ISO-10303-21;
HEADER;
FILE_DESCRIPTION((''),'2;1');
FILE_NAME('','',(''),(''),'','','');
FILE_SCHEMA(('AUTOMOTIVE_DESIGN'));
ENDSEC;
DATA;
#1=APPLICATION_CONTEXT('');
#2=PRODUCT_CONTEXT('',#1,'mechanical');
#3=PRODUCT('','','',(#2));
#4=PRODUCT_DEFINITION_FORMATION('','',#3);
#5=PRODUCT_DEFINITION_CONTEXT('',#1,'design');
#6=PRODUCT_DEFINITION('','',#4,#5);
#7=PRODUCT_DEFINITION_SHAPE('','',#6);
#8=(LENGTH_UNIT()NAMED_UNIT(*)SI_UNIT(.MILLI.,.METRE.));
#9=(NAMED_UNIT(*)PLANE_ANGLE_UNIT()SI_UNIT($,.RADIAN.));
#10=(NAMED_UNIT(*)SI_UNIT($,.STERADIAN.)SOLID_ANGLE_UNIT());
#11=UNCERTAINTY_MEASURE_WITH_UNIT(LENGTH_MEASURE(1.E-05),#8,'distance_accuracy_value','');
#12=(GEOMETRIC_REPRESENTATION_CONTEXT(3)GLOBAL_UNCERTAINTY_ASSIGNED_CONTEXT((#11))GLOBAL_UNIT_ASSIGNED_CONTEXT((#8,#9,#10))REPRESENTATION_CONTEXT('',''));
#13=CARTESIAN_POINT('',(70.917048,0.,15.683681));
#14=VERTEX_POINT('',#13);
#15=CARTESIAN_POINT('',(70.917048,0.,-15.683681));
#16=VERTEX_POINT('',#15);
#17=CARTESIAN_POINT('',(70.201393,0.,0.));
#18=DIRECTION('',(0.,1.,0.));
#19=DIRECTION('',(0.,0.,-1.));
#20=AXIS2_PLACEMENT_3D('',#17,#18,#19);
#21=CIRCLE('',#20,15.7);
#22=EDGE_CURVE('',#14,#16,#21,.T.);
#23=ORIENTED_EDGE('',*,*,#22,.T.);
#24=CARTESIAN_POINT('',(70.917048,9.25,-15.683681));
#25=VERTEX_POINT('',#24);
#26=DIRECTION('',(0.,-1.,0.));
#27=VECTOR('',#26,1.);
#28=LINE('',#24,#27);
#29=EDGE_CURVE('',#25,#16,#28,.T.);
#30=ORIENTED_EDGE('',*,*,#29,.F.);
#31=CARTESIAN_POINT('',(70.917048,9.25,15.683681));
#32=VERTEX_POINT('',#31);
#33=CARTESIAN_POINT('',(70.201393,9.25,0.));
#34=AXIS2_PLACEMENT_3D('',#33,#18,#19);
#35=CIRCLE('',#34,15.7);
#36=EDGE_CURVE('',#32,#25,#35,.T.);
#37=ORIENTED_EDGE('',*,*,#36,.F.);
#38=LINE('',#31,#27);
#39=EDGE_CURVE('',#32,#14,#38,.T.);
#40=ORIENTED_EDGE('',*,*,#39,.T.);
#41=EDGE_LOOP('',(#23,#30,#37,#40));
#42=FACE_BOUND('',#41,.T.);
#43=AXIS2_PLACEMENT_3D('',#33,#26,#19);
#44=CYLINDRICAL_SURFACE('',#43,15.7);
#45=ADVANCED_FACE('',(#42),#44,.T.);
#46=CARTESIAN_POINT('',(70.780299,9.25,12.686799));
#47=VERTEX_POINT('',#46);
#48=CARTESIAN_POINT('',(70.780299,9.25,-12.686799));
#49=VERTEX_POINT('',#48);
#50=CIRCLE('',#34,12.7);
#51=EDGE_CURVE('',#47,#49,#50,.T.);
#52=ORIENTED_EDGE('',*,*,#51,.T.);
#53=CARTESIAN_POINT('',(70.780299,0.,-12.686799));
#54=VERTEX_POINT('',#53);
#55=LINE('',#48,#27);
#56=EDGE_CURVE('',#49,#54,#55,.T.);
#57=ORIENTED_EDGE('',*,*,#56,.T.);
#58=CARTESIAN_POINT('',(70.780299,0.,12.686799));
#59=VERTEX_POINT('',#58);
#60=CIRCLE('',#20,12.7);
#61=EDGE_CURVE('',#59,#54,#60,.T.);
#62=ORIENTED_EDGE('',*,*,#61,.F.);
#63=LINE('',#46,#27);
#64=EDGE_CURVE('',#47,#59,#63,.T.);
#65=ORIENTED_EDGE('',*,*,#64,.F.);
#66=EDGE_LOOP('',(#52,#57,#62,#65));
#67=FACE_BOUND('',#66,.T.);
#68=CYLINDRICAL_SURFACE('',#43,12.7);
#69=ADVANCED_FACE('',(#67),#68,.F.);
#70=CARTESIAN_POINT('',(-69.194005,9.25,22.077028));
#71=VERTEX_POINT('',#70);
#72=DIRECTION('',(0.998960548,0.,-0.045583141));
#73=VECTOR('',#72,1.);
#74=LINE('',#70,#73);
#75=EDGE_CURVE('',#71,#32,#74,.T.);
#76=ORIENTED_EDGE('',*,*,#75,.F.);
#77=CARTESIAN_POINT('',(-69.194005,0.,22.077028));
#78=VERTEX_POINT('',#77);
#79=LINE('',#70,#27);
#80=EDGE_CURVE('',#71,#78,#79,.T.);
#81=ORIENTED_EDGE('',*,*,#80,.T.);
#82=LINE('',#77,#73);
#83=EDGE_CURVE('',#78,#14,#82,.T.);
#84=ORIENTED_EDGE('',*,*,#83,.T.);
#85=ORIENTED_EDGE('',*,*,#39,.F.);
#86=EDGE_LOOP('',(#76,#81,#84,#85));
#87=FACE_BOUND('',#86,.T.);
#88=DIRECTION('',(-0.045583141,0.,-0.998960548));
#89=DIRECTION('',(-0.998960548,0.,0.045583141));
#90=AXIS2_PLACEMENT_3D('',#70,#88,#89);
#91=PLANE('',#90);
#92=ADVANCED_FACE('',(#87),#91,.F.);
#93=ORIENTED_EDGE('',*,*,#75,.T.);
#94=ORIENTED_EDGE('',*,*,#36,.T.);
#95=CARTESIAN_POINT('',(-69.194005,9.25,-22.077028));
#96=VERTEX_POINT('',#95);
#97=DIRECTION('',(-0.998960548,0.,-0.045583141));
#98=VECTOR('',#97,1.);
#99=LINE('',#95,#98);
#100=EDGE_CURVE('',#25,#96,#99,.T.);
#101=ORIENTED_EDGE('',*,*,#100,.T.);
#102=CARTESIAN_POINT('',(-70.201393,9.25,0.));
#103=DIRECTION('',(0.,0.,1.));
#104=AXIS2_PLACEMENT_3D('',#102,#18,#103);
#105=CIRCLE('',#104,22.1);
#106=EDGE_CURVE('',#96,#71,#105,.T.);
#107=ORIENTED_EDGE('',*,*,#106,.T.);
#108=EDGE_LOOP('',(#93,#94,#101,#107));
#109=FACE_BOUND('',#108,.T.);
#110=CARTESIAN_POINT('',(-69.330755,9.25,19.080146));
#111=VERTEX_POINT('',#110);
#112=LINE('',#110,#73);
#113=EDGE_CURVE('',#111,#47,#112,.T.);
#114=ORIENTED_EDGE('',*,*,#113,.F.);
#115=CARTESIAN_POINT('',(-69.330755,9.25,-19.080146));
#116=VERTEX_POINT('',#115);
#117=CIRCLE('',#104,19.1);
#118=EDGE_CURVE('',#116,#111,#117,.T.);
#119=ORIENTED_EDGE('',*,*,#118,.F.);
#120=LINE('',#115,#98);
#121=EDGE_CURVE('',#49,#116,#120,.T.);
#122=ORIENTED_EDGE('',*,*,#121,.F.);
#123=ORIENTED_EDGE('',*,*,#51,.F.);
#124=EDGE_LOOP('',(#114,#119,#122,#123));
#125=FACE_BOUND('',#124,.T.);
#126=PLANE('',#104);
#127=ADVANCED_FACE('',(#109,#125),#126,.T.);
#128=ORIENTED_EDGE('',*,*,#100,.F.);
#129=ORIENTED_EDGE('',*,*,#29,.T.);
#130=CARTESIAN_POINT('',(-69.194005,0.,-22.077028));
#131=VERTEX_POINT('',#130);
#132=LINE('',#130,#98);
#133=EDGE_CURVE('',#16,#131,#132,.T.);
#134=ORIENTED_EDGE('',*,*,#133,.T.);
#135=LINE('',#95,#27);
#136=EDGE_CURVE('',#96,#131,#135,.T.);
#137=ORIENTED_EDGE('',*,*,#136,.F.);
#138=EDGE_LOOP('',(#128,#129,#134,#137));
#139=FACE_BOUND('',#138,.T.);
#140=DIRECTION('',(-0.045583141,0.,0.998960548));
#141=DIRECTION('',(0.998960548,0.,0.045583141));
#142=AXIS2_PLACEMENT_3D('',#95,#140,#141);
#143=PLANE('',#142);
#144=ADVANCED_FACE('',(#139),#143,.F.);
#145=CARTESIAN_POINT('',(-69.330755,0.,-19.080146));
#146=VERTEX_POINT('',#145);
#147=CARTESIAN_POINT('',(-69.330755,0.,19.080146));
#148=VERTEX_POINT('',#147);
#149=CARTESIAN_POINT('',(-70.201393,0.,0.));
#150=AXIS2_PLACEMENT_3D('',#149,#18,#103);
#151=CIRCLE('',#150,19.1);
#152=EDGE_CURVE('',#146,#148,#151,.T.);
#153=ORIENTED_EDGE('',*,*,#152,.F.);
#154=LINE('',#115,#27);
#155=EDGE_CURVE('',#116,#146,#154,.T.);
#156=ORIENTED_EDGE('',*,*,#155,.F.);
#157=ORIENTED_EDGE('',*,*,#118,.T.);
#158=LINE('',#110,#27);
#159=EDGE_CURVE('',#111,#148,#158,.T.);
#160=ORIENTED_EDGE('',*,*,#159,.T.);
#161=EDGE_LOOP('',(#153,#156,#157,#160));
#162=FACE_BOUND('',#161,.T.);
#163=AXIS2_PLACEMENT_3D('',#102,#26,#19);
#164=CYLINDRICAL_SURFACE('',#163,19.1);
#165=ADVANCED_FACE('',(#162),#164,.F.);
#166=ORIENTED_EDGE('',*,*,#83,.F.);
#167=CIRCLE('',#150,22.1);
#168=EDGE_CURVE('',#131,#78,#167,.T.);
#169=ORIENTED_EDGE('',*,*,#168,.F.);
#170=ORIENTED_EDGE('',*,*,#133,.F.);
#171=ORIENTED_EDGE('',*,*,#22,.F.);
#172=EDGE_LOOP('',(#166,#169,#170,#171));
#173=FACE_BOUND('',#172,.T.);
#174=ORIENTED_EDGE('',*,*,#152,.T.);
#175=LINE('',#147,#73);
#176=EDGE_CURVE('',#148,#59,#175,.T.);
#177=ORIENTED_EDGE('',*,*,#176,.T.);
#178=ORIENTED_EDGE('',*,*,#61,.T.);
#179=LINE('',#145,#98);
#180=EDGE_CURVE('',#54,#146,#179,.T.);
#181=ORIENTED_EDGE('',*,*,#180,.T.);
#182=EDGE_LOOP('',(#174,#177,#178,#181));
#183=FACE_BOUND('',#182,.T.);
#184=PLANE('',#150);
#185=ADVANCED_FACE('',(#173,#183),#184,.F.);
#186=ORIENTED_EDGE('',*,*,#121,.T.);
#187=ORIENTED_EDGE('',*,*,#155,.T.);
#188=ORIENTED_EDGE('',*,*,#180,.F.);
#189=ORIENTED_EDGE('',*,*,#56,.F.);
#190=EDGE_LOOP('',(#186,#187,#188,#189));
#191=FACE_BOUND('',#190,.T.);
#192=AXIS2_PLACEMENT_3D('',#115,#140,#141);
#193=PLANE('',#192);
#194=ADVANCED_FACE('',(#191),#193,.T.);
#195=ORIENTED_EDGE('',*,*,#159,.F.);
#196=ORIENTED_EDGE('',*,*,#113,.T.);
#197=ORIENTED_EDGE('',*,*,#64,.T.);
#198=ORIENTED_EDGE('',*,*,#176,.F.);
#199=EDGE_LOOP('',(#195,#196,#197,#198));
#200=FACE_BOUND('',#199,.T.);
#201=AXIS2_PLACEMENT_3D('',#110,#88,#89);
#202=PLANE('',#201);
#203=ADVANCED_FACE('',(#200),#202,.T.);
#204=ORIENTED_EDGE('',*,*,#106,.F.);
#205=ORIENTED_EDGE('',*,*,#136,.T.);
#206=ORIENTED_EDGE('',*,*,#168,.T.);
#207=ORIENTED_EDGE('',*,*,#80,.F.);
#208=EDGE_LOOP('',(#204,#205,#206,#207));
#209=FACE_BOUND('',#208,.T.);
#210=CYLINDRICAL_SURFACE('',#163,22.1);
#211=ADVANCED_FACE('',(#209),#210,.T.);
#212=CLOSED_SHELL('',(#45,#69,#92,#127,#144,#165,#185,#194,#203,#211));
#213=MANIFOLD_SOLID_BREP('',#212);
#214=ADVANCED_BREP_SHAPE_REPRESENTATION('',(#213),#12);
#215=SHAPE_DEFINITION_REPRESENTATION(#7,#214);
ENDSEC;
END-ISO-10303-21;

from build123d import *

# Parameters (mm, degrees)
BOSS_EXTRUDE1_DEPTH = 9.25


with BuildPart() as part:
    # Sketch1 → Boss-Extrude1 (new body)
    with BuildSketch(Plane(origin=(0, 0, 0), x_dir=(1, 0, 0), z_dir=(0, 1, 0))):
        with BuildLine():
            Line((-69.19400532, 22.077028119), (70.917048059, 15.68368061))
            ThreePointArc((70.917048059, 15.68368061), (85.901392742, 0), (70.917048059, -15.68368061))
            Line((70.917048059, -15.68368061), (-69.19400532, -22.077028119))
            ThreePointArc((-69.19400532, -22.077028119), (-92.301392742, 0), (-69.19400532, 22.077028119))
        make_face()
        with BuildLine():
            Line((-69.330754744, 19.080146474), (70.780298635, 12.686798965))
            ThreePointArc((70.780298635, 12.686798965), (82.901392742, 0), (70.780298635, -12.686798965))
            Line((70.780298635, -12.686798965), (-69.330754744, -19.080146474))
            ThreePointArc((-69.330754744, -19.080146474), (-89.301392742, 0), (-69.330754744, 19.080146474))
        make_face(mode=Mode.SUBTRACT)
    extrude(amount=BOSS_EXTRUDE1_DEPTH)


solid = part.part
